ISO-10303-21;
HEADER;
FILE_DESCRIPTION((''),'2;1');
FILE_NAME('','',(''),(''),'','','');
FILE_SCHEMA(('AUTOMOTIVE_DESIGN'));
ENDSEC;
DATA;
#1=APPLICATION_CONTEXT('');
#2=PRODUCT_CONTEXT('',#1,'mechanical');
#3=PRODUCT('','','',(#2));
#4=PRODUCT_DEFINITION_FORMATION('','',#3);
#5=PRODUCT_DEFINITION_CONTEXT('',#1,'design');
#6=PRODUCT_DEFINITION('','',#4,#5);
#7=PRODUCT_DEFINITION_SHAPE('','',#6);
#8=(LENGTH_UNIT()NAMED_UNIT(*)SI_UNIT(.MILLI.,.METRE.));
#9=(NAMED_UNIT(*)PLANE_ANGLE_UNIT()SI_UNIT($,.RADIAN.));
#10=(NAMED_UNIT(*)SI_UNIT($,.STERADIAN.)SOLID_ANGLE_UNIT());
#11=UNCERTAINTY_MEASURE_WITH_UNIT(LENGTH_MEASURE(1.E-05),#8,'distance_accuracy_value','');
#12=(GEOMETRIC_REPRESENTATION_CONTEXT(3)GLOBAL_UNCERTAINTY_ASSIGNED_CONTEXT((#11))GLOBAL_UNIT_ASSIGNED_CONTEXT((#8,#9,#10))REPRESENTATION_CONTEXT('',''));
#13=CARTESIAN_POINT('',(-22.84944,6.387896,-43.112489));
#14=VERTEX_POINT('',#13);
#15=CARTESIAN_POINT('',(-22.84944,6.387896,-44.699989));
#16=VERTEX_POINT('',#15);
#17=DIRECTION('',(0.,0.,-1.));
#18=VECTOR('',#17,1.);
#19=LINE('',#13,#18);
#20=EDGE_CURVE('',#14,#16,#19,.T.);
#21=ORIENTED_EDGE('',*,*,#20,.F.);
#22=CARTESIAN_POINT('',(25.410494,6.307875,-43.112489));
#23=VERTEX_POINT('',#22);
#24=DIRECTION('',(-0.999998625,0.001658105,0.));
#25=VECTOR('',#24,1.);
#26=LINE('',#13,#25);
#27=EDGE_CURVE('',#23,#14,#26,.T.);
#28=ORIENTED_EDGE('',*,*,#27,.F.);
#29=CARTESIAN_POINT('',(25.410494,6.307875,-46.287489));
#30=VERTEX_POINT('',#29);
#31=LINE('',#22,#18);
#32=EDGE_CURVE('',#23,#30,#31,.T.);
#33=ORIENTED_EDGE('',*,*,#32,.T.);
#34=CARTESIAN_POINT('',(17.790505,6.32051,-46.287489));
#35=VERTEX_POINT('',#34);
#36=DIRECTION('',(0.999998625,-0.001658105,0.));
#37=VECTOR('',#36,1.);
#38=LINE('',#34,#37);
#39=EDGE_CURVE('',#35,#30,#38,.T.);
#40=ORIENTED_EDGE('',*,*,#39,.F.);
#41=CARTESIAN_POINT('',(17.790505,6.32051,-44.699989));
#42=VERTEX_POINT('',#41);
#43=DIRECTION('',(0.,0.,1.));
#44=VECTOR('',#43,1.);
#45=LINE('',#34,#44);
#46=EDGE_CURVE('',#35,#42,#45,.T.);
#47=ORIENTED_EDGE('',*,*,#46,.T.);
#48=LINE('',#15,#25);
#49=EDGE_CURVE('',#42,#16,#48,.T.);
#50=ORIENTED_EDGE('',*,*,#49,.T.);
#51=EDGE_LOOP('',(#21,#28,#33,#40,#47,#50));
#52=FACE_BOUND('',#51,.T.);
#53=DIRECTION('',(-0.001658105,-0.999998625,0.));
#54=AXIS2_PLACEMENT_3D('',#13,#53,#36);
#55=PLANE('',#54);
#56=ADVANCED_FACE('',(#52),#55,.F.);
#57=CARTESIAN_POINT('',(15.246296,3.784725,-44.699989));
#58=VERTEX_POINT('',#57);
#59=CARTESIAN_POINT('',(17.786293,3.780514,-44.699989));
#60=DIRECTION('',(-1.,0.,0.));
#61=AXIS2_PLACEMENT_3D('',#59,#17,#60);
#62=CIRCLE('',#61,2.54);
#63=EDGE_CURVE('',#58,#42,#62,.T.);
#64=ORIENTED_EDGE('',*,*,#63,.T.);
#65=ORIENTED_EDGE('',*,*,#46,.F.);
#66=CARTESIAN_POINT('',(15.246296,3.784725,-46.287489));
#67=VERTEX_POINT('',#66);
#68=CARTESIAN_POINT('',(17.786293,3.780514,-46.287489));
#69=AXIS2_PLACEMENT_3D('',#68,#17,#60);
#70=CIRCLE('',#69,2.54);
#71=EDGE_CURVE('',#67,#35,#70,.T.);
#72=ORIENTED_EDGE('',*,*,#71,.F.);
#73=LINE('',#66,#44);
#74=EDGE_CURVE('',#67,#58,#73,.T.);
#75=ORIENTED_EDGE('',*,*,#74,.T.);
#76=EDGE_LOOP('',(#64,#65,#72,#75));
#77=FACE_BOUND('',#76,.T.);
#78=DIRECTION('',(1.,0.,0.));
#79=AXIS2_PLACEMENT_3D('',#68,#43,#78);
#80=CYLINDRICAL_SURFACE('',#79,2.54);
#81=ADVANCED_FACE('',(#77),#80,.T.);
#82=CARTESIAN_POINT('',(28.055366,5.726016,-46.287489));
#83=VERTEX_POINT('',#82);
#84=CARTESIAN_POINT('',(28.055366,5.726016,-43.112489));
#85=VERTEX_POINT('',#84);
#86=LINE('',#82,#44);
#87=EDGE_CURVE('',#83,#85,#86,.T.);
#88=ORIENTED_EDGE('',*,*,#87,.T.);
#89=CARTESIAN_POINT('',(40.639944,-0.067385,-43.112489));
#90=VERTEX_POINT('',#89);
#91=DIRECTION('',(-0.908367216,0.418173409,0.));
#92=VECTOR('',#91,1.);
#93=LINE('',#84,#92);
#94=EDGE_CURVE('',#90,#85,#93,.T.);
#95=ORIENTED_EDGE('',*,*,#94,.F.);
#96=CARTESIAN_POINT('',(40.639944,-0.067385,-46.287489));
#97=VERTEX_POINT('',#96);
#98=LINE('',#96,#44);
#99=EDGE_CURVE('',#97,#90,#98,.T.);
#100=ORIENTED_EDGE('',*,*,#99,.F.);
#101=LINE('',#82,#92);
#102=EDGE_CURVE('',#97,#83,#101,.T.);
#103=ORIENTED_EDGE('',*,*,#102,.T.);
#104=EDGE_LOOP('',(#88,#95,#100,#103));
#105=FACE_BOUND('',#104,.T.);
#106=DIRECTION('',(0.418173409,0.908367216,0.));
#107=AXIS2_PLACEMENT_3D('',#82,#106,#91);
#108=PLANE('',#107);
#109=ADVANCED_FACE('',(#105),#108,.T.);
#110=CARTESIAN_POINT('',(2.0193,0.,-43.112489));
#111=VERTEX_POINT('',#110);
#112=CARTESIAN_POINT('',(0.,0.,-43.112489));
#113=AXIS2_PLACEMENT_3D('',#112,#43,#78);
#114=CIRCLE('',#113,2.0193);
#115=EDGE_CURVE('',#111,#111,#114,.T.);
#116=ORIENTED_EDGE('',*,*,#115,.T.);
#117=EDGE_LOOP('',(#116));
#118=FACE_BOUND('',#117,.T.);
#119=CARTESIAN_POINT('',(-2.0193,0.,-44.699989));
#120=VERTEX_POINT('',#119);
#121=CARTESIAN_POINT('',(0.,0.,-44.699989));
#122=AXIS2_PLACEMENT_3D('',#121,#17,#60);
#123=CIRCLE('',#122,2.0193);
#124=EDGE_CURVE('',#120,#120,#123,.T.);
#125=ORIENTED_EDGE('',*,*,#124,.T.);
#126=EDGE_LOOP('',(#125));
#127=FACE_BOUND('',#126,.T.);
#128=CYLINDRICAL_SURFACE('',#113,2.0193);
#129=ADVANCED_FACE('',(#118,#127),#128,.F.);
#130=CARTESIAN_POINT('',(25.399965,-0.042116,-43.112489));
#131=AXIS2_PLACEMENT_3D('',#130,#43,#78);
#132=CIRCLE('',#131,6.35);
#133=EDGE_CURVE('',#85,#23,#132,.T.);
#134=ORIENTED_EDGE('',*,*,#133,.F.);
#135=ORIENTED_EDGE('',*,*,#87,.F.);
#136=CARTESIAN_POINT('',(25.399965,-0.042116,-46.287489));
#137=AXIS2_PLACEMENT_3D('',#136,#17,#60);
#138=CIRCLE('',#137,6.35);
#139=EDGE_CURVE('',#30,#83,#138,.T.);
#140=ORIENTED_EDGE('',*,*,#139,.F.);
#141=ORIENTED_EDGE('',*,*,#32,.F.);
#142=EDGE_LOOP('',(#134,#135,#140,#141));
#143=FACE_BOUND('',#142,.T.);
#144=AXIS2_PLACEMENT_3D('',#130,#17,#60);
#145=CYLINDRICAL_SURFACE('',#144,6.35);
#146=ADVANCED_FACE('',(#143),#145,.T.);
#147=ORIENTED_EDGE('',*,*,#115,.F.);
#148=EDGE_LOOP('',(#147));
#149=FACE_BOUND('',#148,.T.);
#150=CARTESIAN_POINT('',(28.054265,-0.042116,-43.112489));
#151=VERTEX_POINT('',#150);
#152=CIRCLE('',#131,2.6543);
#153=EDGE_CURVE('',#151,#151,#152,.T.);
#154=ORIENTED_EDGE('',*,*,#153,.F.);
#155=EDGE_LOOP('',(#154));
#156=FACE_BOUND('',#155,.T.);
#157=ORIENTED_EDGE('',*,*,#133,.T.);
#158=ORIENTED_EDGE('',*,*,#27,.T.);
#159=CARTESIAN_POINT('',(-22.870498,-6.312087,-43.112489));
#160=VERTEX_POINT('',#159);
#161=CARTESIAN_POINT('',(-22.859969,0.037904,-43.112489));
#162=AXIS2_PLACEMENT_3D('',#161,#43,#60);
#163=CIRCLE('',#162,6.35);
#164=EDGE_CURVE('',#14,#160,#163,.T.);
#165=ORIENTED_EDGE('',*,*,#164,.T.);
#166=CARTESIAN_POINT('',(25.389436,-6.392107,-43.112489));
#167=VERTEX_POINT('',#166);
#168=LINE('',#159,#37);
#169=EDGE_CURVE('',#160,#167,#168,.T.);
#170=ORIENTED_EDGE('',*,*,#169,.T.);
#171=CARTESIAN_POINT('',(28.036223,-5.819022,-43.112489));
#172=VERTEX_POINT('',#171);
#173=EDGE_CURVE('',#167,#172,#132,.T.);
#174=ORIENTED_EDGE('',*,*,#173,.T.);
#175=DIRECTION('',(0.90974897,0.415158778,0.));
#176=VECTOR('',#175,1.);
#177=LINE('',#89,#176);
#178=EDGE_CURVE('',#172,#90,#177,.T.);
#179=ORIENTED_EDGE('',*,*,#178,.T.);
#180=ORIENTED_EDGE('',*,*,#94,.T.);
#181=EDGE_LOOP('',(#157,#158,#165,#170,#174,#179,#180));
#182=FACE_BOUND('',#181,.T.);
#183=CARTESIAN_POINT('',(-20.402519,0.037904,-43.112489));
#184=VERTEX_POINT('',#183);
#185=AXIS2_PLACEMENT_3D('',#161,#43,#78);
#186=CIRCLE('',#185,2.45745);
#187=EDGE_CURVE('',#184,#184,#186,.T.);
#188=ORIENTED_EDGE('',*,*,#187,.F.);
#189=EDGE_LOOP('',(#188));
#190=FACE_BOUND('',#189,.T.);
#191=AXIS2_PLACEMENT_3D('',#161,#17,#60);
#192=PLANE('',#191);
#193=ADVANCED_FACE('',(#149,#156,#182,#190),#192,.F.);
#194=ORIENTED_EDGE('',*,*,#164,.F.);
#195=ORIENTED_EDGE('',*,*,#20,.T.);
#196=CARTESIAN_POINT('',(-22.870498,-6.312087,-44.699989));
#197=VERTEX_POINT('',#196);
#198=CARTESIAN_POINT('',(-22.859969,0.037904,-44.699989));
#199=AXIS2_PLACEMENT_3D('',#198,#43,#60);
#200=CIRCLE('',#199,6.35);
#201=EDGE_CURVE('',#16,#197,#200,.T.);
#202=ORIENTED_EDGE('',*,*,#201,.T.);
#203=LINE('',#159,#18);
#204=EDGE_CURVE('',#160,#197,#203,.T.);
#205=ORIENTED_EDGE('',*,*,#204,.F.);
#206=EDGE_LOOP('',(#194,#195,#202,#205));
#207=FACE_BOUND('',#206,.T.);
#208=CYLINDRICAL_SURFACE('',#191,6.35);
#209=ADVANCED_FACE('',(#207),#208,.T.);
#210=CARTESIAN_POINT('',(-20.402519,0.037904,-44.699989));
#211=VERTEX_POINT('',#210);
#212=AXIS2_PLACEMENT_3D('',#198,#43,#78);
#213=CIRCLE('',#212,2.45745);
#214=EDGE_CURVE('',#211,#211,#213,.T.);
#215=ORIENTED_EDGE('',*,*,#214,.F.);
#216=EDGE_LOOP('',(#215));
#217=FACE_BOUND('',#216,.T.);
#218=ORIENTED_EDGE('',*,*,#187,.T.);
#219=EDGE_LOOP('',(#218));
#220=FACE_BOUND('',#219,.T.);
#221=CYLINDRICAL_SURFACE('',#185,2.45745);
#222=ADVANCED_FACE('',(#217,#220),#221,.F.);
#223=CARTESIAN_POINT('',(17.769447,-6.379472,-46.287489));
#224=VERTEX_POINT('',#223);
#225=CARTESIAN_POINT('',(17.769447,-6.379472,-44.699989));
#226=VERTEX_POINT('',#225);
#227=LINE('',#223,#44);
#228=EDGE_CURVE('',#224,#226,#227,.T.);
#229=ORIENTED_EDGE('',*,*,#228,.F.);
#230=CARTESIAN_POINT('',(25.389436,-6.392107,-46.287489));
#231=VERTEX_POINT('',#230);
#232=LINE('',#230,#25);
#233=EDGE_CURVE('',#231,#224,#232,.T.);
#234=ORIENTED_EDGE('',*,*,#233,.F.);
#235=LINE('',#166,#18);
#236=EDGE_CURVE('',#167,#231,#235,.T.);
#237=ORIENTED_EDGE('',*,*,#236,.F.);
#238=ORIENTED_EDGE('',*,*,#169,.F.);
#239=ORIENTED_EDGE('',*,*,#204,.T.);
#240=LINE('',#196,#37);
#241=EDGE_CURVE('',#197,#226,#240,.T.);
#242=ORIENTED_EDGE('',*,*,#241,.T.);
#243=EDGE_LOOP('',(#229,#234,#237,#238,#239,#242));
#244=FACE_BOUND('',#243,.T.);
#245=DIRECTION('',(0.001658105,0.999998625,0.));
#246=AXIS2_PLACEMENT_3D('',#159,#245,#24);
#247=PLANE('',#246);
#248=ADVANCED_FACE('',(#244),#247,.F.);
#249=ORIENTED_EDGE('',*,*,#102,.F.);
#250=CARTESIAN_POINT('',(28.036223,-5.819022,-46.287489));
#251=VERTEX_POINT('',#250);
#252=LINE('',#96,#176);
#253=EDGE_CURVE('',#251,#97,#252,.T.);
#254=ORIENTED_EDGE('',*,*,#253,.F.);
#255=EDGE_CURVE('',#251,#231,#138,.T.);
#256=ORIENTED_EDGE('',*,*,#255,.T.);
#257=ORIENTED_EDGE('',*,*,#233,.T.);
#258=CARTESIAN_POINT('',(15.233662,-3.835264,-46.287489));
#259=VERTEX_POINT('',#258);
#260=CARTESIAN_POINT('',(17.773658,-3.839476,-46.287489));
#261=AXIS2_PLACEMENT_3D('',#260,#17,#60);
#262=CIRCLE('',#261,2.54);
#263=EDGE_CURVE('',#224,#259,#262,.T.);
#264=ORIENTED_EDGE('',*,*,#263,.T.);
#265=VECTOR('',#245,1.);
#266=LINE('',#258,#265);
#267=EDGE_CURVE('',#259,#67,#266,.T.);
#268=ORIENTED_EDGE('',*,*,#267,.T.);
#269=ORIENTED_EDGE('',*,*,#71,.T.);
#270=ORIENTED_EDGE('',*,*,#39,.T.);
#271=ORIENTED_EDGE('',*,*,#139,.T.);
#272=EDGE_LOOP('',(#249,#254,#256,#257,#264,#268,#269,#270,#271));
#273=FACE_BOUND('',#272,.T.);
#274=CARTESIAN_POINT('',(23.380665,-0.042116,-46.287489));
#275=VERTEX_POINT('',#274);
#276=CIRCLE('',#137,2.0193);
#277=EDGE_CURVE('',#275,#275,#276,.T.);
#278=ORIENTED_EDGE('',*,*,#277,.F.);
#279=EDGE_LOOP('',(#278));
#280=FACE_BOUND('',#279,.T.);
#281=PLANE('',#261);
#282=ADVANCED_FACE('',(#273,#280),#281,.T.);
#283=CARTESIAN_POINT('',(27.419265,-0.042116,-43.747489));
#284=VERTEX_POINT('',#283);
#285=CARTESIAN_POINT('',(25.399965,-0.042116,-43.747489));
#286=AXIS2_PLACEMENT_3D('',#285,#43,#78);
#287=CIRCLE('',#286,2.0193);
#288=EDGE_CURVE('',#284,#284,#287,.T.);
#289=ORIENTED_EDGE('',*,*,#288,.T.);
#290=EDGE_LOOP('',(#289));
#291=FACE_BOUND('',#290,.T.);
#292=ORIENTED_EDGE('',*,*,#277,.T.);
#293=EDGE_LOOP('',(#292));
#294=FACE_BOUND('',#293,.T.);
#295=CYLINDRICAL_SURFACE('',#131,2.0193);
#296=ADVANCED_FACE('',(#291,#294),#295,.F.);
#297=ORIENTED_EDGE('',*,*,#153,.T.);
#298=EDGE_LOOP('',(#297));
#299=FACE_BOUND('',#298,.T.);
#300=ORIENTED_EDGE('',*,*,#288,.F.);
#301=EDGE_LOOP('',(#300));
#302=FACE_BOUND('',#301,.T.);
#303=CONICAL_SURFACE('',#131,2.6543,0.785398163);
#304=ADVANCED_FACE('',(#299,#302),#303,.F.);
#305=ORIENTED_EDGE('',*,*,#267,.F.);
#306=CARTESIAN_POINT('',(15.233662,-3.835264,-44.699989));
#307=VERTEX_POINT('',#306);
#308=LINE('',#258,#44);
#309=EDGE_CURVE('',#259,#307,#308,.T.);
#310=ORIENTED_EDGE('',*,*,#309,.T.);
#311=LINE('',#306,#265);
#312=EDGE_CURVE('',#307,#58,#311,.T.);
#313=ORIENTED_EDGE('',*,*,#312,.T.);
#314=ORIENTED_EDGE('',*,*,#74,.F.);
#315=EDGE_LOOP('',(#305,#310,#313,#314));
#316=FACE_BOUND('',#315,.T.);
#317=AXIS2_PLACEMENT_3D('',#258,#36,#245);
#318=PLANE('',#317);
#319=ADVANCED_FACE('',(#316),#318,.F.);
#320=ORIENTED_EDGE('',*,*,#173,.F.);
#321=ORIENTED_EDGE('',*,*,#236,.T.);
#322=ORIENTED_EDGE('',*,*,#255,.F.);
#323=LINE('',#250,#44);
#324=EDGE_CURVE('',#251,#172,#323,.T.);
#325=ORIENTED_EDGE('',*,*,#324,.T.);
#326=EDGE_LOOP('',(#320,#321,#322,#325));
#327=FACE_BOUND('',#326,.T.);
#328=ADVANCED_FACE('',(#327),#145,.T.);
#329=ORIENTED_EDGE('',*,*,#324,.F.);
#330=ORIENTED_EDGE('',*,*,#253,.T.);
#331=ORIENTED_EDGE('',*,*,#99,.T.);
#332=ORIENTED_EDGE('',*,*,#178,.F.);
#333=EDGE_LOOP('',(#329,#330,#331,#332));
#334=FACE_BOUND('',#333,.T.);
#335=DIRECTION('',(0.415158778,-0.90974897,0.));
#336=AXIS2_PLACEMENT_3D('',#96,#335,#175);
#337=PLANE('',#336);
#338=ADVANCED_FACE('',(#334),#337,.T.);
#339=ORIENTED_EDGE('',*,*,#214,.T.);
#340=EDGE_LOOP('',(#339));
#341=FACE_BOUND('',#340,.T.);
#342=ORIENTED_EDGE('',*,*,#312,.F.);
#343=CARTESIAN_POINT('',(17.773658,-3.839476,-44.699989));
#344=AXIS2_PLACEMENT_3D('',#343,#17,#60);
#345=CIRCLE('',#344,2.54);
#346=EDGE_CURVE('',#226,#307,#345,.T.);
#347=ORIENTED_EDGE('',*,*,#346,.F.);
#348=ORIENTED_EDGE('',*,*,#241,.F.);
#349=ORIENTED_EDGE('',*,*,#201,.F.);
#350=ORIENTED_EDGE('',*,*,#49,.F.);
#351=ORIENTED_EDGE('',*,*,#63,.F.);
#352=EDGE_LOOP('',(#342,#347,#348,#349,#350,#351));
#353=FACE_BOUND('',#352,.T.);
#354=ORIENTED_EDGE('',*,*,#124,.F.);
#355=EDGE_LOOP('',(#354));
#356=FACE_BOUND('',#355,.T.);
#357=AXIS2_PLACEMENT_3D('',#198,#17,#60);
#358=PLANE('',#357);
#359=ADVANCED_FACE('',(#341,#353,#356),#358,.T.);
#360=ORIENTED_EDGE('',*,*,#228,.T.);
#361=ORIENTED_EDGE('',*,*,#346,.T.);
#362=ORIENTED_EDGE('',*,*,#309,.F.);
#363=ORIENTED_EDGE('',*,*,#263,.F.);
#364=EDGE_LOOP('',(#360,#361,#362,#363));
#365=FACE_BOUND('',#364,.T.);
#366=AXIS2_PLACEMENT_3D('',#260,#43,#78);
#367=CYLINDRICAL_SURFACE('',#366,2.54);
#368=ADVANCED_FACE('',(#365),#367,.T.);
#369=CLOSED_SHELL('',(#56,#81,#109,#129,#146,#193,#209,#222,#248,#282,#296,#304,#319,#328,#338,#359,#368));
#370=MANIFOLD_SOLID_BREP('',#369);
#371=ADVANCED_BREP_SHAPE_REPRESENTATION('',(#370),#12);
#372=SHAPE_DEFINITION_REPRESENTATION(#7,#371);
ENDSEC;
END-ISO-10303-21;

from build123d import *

# Parameters (mm, degrees)
SKETCH2_R                        = 0.635
SKETCH2_R_2                      = 1.5875
BOSS_EXTRUDE1_DEPTH              = 1.5875
F_10_0_1935_DIAMETER_HOLE1_D     = 4.9149
BOSS_EXTRUDE2_START              = 1.5875
BOSS_EXTRUDE2_DEPTH              = 1.5875
F_10_32_TAPPED_HOLE1_D           = 4.0386
F_10_32_TAPPED_HOLE1_DEPTH       = 9.398
F_10_32_TAPPED_HOLE1_CSINK_D     = 5.3086
F_10_32_TAPPED_HOLE1_CSINK_ANGLE = 90
F_10_32_TAPPED_HOLE1_TIP         = 1.213317848
BOSS_EXTRUDE3_START              = -3.175
BOSS_EXTRUDE3_DEPTH              = 3.175
F_10_32_TAPPED_HOLE2_D           = 4.0386


with BuildPart() as part:
    # Sketch2 → Boss-Extrude1 (new body)
    with BuildSketch(Plane.XY.offset(-44.699989247)):
        with BuildLine():
            Line((-22.87049754, -6.312086997), (25.389436119, -6.392107131))
            ThreePointArc((25.389436119, -6.392107131), (31.749956355, -0.052644824), (25.410494049, 6.307875411))
            Line((25.410494049, 6.307875411), (-22.84943961, 6.387895545))
            ThreePointArc((-22.84943961, 6.387895545), (-29.209959846, 0.048433239), (-22.87049754, -6.312086997))
        make_face()
        with Locations((25.399965084, -0.04211586)):
            Circle(SKETCH2_R, mode=Mode.SUBTRACT)
        Circle(SKETCH2_R_2, mode=Mode.SUBTRACT)
        with Locations((-22.859968575, 0.037904274)):
            Circle(SKETCH2_R, mode=Mode.SUBTRACT)
    extrude(amount=BOSS_EXTRUDE1_DEPTH)

    # #10 (0.1935) Diameter Hole1 (through all)
    with Locations(Plane.XY.offset(-43.112489247)):
        with Locations((-22.859968575, 0.037904274)):
            Hole(F_10_0_1935_DIAMETER_HOLE1_D / 2)

    # Sketch5 → Boss-Extrude2 (add)
    with BuildSketch(Plane(origin=(0, 0, -44.699989247), x_dir=(-1, 0, 0), z_dir=(0, 0, -1)).offset(BOSS_EXTRUDE2_START)):
        with BuildLine():
            Line((-25.389436119, -6.392107131), (-17.769446594, -6.379472373))
            ThreePointArc((-17.769446594, -6.379472373), (-15.974631383, -5.632546579), (-15.233661671, -3.835264278))
            Line((-15.233661671, -3.835264278), (-15.246296429, 3.784725247))
            ThreePointArc((-15.246296429, 3.784725247), (-15.993222223, 5.579540457), (-17.790504524, 6.320510169))
            Line((-17.790504524, 6.320510169), (-25.410494049, 6.307875411))
            ThreePointArc((-25.410494049, 6.307875411), (-31.749956355, -0.052644824), (-25.389436119, -6.392107131))
        make_face()
    extrude(amount=-BOSS_EXTRUDE2_DEPTH)

    # #10-32 Tapped Hole1
    with Locations(Plane.XY.offset(-43.112489247)):
        with Locations((25.399965084, -0.04211586)):
            CounterSinkHole(F_10_32_TAPPED_HOLE1_D / 2, F_10_32_TAPPED_HOLE1_CSINK_D / 2, depth=F_10_32_TAPPED_HOLE1_DEPTH, counter_sink_angle=F_10_32_TAPPED_HOLE1_CSINK_ANGLE)
            with Locations((0, 0, -(F_10_32_TAPPED_HOLE1_DEPTH + F_10_32_TAPPED_HOLE1_TIP / 2))):  # 118° drill point
                Cone(0, F_10_32_TAPPED_HOLE1_D / 2, F_10_32_TAPPED_HOLE1_TIP, mode=Mode.SUBTRACT)

    # Sketch8 → Boss-Extrude3 (add)
    with BuildSketch(Plane.XY.offset(-43.112489247).offset(BOSS_EXTRUDE3_START)):
        with BuildLine():
            Line((28.055366234, 5.726015964), (40.639944134, -0.067385375))
            Line((40.639944134, -0.067385375), (28.036223326, -5.81902182))
            ThreePointArc((28.036223326, -5.81902182), (31.749956355, -0.052644824), (28.055366234, 5.726015964))
        make_face()
    extrude(amount=BOSS_EXTRUDE3_DEPTH)

    # #10-32 Tapped Hole2 (through all)
    with Locations(Plane.XY.offset(-43.112489247)):
        with Locations((0, 0)):
            Hole(F_10_32_TAPPED_HOLE2_D / 2)


solid = part.part
